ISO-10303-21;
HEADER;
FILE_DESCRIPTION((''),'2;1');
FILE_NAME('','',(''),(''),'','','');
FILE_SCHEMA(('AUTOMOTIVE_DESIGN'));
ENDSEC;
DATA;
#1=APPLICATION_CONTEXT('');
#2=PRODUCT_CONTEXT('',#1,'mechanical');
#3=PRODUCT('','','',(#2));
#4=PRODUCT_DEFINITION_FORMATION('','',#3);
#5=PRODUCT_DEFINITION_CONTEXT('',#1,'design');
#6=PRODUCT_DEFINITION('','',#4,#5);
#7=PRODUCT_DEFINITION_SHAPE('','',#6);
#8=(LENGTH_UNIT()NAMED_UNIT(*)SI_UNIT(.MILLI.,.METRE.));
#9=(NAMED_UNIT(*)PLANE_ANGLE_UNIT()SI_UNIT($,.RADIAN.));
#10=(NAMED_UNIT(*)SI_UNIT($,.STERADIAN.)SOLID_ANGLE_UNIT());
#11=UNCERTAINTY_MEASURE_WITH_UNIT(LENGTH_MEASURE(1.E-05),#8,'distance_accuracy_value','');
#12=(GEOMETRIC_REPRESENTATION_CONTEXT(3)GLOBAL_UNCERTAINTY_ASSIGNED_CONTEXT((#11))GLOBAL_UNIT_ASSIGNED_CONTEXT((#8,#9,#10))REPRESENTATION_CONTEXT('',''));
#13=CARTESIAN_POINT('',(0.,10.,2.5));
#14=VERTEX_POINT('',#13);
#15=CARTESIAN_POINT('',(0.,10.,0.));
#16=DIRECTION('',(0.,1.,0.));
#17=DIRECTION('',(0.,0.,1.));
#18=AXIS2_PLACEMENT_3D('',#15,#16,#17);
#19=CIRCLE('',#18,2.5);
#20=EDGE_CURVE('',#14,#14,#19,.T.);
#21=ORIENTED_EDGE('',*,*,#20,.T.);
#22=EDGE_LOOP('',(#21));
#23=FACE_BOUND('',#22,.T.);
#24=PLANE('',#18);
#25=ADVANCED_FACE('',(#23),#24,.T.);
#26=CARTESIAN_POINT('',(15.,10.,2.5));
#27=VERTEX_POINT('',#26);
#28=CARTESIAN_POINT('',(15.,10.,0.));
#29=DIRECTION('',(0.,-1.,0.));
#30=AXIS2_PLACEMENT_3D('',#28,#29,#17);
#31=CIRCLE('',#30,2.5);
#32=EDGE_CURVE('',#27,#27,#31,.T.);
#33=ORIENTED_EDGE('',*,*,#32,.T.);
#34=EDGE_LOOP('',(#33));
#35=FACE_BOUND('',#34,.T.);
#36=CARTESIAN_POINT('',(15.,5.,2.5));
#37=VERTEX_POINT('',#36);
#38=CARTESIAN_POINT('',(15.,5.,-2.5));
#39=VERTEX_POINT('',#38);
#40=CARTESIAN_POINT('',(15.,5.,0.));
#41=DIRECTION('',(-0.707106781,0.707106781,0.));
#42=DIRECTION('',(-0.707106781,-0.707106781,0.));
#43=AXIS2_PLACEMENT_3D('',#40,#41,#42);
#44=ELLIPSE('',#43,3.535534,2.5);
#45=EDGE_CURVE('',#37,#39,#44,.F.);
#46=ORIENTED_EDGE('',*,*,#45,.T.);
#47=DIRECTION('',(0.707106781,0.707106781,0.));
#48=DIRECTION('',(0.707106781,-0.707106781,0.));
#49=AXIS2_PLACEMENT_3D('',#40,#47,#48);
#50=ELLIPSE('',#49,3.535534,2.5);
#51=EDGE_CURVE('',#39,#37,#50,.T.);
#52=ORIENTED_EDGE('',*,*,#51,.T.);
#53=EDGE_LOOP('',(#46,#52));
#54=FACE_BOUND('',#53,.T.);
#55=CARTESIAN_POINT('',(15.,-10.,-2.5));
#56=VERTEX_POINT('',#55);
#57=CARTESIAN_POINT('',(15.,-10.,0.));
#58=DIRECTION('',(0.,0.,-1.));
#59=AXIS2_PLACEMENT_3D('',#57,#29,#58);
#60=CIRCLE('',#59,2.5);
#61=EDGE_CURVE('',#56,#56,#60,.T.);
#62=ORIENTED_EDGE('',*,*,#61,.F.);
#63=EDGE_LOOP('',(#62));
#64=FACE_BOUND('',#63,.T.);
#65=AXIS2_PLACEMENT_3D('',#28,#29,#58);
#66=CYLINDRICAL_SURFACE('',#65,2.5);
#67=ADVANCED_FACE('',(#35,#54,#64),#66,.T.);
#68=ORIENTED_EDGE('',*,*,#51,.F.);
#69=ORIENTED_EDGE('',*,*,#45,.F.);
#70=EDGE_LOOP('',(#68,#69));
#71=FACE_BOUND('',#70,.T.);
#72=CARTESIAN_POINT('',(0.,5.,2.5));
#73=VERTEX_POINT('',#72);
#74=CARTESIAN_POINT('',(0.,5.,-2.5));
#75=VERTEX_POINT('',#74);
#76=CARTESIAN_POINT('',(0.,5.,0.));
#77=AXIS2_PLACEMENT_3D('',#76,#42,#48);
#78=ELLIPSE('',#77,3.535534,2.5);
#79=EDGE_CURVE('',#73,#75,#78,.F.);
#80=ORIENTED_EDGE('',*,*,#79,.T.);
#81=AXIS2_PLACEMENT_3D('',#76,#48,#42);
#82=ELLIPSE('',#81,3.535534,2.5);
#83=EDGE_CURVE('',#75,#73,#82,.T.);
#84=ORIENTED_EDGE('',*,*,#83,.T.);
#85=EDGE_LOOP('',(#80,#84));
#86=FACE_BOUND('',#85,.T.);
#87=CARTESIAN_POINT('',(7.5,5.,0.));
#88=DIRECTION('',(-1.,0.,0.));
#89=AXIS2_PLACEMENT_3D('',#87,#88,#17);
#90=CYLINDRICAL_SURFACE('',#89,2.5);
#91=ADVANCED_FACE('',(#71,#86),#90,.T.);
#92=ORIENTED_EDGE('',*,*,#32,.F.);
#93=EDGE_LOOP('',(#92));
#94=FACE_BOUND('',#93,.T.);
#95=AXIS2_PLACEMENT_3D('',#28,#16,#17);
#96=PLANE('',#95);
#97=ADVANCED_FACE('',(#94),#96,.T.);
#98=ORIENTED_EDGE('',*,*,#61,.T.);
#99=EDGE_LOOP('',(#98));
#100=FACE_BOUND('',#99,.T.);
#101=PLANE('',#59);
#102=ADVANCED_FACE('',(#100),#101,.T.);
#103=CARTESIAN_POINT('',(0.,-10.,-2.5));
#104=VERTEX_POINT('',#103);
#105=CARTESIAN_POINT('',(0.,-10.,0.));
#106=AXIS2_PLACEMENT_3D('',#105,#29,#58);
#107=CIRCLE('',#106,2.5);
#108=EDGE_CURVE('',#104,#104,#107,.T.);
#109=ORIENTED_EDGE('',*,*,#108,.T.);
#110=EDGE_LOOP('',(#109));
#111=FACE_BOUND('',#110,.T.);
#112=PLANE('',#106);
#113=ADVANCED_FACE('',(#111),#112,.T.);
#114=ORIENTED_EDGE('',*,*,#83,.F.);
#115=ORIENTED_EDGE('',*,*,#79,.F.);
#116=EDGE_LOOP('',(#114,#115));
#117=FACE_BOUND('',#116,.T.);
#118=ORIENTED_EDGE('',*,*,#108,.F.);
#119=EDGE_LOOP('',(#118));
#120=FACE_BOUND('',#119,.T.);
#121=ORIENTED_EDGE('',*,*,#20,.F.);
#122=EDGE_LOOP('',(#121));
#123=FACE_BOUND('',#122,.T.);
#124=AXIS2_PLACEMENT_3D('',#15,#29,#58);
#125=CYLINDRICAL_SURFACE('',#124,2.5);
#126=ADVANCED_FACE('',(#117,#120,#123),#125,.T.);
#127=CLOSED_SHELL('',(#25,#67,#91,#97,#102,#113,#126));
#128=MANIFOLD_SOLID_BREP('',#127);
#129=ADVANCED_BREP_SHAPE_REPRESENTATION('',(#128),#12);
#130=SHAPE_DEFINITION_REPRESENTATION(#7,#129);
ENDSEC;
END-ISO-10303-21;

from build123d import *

# Parameters (mm, degrees)
SKETCH2_R           = 2.5
BOSS_EXTRUDE2_DEPTH = 10
SKETCH3_R           = 2.5
BOSS_EXTRUDE3_DEPTH = 7.5
BOSS_EXTRUDE4_START = 10
SKETCH4_R           = 2.5
BOSS_EXTRUDE4_DEPTH = 10


with BuildPart() as part:
    # Sketch2 → Boss-Extrude2 (new body)
    with BuildSketch(Plane(origin=(0, 0, 0), x_dir=(1, 0, 0), z_dir=(0, 1, 0))):
        with Locations(Location((0, 0, 0), (0, 0, 270))):
            Circle(SKETCH2_R)
    boss_extrude2 = extrude(amount=BOSS_EXTRUDE2_DEPTH)

    # Sketch3 → Boss-Extrude3 (add)
    with BuildSketch(Plane(origin=(0, 0, 0), x_dir=(0, 0, -1), z_dir=(1, 0, 0))):
        with Locations((0, 5)):
            Circle(SKETCH3_R)
    boss_extrude3 = extrude(amount=BOSS_EXTRUDE3_DEPTH)

    # Mirror5: Boss-Extrude2, Boss-Extrude3 across plane
    add(boss_extrude2.mirror(Plane(origin=(7.5, 5, 0), x_dir=(0, 0, 1), z_dir=(1, 0, 0))))
    add(boss_extrude3.mirror(Plane(origin=(7.5, 5, 0), x_dir=(0, 0, 1), z_dir=(1, 0, 0))))

    # Sketch4 → Boss-Extrude4 (add)
    with BuildSketch(Plane(origin=(0, 0, 0), x_dir=(-1, 0, 0), z_dir=(0, -1, 0)).offset(BOSS_EXTRUDE4_START)):
        with Locations(Location((0, 0, 0), (0, 0, 90))):
            Circle(SKETCH4_R)
        with Locations(Location((-15, 0, 0), (0, 0, 90))):
            Circle(SKETCH4_R)
    extrude(amount=-BOSS_EXTRUDE4_DEPTH)


solid = part.part
